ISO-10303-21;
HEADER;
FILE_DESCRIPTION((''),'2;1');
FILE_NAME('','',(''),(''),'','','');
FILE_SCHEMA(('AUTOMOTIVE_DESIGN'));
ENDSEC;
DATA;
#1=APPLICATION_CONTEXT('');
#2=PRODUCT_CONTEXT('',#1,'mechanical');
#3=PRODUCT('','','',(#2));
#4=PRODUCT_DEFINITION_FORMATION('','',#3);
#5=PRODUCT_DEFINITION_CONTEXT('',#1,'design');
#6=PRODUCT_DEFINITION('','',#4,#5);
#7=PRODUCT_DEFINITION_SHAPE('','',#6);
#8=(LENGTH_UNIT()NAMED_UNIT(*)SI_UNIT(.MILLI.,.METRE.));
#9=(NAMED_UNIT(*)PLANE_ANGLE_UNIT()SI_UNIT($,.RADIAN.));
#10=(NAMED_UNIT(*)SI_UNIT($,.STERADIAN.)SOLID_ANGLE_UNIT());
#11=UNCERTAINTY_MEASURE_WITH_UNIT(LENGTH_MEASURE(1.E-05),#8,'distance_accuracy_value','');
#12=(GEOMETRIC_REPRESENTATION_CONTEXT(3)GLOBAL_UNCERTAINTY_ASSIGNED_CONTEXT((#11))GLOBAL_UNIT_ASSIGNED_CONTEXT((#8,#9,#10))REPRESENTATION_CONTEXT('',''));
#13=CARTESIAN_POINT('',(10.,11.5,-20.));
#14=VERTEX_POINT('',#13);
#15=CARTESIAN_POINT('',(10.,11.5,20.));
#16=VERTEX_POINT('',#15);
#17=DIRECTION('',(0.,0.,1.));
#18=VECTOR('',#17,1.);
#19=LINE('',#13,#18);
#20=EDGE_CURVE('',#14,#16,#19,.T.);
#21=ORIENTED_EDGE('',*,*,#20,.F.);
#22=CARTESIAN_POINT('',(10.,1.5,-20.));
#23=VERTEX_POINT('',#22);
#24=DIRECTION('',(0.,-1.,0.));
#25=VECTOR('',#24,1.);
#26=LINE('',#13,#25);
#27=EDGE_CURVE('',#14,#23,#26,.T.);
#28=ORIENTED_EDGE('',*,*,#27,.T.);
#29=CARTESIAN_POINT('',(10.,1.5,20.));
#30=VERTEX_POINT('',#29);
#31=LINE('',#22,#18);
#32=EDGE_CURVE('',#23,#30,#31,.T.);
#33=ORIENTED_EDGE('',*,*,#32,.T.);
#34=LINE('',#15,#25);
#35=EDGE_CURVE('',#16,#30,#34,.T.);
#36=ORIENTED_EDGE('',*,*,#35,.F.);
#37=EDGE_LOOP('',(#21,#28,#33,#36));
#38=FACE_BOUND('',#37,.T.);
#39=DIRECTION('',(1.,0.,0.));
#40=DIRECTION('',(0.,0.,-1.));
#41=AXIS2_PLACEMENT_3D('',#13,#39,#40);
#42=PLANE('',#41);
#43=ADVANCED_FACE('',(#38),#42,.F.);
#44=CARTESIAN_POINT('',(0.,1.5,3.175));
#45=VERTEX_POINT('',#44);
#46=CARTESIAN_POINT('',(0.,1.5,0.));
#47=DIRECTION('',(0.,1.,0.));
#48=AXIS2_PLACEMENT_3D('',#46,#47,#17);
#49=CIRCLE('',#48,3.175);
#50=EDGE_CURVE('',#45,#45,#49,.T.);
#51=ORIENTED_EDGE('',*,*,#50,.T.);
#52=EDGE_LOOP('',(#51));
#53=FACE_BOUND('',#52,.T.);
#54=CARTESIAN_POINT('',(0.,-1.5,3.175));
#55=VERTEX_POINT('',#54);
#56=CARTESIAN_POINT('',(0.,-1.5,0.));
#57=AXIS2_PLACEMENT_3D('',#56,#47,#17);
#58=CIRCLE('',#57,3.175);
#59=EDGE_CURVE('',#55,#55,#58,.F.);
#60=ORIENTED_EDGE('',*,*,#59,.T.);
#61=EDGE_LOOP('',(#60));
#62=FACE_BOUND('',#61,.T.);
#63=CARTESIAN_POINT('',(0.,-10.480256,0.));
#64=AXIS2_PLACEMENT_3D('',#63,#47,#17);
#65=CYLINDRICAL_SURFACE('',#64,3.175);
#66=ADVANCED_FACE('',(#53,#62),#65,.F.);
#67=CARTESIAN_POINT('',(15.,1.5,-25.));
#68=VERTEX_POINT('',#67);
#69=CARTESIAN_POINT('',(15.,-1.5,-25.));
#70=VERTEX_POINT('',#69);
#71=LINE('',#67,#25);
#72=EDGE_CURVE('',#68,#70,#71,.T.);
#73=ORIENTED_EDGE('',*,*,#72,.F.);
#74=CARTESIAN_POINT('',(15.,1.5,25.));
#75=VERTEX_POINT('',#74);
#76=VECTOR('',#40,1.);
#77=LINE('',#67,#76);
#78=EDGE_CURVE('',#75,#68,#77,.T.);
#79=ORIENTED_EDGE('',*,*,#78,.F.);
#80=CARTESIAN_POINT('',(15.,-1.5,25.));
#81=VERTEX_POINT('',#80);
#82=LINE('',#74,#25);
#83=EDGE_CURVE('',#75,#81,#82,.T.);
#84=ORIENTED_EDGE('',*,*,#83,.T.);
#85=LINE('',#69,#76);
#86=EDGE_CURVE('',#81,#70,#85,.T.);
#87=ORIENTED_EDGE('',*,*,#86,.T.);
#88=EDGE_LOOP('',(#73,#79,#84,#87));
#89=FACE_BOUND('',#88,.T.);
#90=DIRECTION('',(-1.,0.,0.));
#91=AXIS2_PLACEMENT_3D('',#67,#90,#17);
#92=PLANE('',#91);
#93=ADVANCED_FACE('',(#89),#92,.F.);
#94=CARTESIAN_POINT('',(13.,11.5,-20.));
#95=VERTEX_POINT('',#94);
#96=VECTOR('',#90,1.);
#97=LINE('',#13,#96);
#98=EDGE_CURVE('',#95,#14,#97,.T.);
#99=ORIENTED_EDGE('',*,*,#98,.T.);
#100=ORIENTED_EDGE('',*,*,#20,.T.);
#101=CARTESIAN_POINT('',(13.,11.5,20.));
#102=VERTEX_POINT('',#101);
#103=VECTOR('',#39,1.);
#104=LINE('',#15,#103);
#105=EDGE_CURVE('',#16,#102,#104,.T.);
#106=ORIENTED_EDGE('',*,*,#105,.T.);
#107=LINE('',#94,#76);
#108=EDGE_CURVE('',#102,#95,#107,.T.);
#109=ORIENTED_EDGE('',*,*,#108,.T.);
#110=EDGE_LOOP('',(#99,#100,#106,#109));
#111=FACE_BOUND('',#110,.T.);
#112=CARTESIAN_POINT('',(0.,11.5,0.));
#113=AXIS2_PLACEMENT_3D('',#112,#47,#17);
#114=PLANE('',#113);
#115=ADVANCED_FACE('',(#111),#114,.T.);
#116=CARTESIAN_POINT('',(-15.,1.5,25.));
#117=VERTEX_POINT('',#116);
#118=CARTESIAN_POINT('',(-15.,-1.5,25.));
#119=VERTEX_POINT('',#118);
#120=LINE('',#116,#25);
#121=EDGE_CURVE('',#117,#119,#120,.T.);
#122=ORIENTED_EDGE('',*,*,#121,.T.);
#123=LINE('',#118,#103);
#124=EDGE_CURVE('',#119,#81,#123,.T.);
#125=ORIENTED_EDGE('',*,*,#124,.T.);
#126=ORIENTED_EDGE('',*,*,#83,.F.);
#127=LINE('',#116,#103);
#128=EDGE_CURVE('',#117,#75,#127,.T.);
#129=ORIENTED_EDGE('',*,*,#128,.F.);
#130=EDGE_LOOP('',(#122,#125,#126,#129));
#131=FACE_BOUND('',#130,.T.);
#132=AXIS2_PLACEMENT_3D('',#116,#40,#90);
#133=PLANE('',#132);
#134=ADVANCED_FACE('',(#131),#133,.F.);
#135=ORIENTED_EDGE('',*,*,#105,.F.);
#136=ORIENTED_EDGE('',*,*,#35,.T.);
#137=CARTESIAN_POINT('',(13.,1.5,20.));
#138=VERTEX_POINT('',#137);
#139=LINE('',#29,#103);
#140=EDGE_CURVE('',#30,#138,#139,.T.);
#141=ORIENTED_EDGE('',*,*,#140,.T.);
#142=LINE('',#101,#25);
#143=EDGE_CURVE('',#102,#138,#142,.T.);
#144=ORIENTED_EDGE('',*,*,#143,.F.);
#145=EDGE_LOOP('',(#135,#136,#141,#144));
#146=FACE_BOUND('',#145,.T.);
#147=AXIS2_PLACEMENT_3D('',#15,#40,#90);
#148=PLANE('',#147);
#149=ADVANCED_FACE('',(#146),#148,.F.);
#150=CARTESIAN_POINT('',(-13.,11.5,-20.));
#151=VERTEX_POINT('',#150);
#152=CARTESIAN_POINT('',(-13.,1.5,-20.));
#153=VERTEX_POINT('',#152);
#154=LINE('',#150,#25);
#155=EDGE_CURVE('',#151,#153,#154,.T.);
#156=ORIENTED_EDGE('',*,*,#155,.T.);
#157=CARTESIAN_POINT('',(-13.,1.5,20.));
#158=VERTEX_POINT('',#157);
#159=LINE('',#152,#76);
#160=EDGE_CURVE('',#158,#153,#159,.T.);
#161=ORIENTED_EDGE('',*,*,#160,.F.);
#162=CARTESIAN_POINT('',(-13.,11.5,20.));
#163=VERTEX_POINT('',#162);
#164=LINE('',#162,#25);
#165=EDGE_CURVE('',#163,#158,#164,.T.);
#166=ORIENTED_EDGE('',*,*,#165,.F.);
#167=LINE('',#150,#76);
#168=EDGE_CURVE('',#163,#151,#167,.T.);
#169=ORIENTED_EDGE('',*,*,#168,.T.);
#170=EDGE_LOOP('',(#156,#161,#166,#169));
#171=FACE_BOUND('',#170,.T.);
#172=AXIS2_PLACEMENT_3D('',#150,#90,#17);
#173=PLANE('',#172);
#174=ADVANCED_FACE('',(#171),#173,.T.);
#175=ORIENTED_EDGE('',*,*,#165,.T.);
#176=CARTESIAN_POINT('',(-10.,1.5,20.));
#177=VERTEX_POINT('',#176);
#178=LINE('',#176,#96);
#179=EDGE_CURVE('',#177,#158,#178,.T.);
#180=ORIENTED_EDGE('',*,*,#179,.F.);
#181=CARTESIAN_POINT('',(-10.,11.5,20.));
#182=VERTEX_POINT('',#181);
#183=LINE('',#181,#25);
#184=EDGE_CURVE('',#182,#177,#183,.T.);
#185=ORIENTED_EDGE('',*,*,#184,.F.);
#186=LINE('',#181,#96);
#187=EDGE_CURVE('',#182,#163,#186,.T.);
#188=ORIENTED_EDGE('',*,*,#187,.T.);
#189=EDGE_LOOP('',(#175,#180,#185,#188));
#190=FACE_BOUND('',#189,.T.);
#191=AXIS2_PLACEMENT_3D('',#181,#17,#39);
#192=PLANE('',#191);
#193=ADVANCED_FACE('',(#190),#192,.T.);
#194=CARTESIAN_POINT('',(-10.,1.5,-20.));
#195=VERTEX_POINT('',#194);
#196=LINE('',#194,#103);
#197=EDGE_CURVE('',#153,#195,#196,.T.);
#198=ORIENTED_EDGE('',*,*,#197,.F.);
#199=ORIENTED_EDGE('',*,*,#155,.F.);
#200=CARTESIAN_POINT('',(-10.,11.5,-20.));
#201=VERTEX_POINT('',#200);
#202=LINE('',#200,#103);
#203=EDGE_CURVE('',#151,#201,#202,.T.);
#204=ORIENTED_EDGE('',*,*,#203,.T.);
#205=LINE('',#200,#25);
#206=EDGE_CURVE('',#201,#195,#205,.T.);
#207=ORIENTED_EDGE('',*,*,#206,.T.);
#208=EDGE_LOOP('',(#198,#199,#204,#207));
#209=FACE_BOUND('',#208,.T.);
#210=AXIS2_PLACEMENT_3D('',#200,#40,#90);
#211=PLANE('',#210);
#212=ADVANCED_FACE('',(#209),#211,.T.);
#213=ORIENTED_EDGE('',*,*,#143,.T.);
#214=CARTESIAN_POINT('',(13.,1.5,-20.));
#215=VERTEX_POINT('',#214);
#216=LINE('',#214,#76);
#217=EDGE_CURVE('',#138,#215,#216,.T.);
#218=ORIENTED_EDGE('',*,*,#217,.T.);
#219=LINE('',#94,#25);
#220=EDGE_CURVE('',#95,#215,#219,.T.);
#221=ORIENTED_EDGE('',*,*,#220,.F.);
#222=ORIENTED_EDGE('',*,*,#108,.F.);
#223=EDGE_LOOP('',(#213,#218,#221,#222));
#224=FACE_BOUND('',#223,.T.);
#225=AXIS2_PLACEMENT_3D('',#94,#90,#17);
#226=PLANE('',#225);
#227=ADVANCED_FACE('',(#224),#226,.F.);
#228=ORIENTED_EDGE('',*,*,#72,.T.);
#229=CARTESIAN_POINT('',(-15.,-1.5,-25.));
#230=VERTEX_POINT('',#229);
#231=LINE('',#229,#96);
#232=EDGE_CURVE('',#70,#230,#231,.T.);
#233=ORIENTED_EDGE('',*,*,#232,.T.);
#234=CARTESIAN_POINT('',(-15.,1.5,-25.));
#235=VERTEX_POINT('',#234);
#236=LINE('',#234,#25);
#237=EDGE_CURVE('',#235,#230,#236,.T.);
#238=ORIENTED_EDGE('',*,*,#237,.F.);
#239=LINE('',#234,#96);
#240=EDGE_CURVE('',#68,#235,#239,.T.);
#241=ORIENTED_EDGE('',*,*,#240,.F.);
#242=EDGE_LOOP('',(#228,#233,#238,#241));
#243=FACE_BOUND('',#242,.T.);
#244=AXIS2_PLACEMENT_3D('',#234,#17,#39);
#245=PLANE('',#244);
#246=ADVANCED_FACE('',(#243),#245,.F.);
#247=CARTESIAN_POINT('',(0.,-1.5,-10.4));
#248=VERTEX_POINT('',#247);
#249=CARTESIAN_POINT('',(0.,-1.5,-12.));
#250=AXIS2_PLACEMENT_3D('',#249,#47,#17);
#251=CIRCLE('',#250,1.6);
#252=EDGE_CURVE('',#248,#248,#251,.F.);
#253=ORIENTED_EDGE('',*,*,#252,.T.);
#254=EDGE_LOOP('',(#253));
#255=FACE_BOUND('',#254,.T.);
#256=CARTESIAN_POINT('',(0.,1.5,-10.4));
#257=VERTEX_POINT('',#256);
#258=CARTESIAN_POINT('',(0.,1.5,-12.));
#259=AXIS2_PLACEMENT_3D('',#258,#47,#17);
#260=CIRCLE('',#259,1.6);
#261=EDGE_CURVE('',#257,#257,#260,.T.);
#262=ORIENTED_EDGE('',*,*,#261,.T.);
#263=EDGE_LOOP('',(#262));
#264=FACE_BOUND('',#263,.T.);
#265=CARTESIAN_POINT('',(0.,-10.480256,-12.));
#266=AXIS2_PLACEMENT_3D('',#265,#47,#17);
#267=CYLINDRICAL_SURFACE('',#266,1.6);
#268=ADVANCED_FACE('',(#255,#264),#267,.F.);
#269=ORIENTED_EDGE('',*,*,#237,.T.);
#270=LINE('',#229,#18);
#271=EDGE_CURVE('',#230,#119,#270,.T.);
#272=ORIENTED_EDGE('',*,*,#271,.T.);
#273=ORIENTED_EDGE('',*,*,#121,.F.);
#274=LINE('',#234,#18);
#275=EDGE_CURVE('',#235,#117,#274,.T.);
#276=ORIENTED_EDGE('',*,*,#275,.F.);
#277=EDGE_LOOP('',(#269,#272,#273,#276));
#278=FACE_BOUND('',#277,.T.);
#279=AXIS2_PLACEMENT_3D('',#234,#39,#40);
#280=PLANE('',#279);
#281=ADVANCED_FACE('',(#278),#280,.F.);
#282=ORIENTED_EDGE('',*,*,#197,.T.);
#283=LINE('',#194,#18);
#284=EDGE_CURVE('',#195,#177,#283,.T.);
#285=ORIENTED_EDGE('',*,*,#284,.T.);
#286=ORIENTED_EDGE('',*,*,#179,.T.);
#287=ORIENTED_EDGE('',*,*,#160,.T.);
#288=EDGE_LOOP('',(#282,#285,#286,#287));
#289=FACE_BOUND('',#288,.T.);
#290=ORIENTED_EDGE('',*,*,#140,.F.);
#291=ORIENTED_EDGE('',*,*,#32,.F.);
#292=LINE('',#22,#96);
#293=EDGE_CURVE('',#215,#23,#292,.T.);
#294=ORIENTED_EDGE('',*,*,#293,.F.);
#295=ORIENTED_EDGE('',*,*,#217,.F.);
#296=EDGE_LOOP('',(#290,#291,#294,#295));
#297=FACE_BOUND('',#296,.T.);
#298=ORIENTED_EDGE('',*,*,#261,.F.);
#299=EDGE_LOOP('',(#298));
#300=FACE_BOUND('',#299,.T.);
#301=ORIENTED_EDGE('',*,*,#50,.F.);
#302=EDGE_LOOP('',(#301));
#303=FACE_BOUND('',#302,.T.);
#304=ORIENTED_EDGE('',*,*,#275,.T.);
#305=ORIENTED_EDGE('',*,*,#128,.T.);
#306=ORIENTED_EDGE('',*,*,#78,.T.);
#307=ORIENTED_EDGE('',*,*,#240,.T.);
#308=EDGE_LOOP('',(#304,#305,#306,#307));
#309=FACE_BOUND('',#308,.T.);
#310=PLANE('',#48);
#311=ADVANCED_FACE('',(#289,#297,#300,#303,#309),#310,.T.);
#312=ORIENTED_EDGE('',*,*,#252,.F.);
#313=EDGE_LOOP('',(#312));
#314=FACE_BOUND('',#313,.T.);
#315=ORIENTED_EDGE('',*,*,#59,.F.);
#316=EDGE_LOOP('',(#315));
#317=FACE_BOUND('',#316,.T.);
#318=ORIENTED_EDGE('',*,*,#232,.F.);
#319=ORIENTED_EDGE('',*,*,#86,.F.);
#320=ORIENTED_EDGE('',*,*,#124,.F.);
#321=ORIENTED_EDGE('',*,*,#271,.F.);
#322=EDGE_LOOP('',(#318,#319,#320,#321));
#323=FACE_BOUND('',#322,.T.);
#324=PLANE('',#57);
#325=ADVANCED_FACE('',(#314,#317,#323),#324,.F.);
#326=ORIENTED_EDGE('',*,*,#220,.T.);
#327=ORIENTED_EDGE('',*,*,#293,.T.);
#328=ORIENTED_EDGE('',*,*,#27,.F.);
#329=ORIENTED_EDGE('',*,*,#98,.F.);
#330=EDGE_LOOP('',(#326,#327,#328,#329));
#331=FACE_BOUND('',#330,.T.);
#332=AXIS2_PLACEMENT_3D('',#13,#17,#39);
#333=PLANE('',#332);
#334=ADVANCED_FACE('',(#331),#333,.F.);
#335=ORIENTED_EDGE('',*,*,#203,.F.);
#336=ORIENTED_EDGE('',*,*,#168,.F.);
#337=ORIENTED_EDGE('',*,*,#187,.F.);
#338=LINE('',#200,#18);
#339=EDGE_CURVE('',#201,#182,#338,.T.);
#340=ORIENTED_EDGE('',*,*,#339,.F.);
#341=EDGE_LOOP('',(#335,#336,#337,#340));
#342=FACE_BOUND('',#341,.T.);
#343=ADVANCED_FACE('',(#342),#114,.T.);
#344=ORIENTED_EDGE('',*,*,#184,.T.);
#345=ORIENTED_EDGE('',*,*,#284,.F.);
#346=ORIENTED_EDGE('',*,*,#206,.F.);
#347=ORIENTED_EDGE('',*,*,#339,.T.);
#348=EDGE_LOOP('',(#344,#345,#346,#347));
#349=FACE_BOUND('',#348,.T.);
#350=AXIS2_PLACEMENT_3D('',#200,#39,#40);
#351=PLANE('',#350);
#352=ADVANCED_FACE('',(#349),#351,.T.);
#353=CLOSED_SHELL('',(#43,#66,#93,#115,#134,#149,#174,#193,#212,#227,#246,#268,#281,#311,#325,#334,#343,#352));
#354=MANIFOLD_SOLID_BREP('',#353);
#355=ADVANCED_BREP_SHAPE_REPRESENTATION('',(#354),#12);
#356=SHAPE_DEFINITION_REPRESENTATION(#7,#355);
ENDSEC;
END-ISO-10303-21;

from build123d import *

# Parameters (mm, degrees)
SKETCH1_W           = 30
SKETCH1_H           = 50
BOSS_EXTRUDE1_DEPTH = 1.5
SKETCH2_R           = 3.175
SKETCH2_R_2         = 1.6
CUT_EXTRUDE1_DEPTH  = 3
SKETCH3_W           = 3
SKETCH3_H           = 40
BOSS_EXTRUDE2_DEPTH = 10


with BuildPart() as part:
    # Sketch1 → Boss-Extrude1 (new body, symmetric)
    with BuildSketch(Plane(origin=(0, 0, 0), x_dir=(1, 0, 0), z_dir=(0, 1, 0))):
        Rectangle(SKETCH1_W, SKETCH1_H)
    extrude(amount=BOSS_EXTRUDE1_DEPTH, both=True)

    # Sketch2 → Cut-Extrude1 (cut)
    with BuildSketch(Plane(origin=(0, 1.5, 0), x_dir=(1, 0, 0), z_dir=(0, 1, 0))):
        Circle(SKETCH2_R)
        with Locations((0, 12)):
            Circle(SKETCH2_R_2)
    extrude(amount=-CUT_EXTRUDE1_DEPTH, mode=Mode.SUBTRACT)

    # Sketch3 → Boss-Extrude2 (add)
    with BuildSketch(Plane(origin=(0, 1.5, 0), x_dir=(1, 0, 0), z_dir=(0, 1, 0))):
        with Locations((11.5, 0)):
            Rectangle(SKETCH3_W, SKETCH3_H)
    boss_extrude2 = extrude(amount=BOSS_EXTRUDE2_DEPTH)

    # Mirror1: Boss-Extrude2 across plane
    add(boss_extrude2.mirror(Plane(origin=(0, 0, 0), x_dir=(0, 0, 1), z_dir=(1, 0, 0))))


solid = part.part
